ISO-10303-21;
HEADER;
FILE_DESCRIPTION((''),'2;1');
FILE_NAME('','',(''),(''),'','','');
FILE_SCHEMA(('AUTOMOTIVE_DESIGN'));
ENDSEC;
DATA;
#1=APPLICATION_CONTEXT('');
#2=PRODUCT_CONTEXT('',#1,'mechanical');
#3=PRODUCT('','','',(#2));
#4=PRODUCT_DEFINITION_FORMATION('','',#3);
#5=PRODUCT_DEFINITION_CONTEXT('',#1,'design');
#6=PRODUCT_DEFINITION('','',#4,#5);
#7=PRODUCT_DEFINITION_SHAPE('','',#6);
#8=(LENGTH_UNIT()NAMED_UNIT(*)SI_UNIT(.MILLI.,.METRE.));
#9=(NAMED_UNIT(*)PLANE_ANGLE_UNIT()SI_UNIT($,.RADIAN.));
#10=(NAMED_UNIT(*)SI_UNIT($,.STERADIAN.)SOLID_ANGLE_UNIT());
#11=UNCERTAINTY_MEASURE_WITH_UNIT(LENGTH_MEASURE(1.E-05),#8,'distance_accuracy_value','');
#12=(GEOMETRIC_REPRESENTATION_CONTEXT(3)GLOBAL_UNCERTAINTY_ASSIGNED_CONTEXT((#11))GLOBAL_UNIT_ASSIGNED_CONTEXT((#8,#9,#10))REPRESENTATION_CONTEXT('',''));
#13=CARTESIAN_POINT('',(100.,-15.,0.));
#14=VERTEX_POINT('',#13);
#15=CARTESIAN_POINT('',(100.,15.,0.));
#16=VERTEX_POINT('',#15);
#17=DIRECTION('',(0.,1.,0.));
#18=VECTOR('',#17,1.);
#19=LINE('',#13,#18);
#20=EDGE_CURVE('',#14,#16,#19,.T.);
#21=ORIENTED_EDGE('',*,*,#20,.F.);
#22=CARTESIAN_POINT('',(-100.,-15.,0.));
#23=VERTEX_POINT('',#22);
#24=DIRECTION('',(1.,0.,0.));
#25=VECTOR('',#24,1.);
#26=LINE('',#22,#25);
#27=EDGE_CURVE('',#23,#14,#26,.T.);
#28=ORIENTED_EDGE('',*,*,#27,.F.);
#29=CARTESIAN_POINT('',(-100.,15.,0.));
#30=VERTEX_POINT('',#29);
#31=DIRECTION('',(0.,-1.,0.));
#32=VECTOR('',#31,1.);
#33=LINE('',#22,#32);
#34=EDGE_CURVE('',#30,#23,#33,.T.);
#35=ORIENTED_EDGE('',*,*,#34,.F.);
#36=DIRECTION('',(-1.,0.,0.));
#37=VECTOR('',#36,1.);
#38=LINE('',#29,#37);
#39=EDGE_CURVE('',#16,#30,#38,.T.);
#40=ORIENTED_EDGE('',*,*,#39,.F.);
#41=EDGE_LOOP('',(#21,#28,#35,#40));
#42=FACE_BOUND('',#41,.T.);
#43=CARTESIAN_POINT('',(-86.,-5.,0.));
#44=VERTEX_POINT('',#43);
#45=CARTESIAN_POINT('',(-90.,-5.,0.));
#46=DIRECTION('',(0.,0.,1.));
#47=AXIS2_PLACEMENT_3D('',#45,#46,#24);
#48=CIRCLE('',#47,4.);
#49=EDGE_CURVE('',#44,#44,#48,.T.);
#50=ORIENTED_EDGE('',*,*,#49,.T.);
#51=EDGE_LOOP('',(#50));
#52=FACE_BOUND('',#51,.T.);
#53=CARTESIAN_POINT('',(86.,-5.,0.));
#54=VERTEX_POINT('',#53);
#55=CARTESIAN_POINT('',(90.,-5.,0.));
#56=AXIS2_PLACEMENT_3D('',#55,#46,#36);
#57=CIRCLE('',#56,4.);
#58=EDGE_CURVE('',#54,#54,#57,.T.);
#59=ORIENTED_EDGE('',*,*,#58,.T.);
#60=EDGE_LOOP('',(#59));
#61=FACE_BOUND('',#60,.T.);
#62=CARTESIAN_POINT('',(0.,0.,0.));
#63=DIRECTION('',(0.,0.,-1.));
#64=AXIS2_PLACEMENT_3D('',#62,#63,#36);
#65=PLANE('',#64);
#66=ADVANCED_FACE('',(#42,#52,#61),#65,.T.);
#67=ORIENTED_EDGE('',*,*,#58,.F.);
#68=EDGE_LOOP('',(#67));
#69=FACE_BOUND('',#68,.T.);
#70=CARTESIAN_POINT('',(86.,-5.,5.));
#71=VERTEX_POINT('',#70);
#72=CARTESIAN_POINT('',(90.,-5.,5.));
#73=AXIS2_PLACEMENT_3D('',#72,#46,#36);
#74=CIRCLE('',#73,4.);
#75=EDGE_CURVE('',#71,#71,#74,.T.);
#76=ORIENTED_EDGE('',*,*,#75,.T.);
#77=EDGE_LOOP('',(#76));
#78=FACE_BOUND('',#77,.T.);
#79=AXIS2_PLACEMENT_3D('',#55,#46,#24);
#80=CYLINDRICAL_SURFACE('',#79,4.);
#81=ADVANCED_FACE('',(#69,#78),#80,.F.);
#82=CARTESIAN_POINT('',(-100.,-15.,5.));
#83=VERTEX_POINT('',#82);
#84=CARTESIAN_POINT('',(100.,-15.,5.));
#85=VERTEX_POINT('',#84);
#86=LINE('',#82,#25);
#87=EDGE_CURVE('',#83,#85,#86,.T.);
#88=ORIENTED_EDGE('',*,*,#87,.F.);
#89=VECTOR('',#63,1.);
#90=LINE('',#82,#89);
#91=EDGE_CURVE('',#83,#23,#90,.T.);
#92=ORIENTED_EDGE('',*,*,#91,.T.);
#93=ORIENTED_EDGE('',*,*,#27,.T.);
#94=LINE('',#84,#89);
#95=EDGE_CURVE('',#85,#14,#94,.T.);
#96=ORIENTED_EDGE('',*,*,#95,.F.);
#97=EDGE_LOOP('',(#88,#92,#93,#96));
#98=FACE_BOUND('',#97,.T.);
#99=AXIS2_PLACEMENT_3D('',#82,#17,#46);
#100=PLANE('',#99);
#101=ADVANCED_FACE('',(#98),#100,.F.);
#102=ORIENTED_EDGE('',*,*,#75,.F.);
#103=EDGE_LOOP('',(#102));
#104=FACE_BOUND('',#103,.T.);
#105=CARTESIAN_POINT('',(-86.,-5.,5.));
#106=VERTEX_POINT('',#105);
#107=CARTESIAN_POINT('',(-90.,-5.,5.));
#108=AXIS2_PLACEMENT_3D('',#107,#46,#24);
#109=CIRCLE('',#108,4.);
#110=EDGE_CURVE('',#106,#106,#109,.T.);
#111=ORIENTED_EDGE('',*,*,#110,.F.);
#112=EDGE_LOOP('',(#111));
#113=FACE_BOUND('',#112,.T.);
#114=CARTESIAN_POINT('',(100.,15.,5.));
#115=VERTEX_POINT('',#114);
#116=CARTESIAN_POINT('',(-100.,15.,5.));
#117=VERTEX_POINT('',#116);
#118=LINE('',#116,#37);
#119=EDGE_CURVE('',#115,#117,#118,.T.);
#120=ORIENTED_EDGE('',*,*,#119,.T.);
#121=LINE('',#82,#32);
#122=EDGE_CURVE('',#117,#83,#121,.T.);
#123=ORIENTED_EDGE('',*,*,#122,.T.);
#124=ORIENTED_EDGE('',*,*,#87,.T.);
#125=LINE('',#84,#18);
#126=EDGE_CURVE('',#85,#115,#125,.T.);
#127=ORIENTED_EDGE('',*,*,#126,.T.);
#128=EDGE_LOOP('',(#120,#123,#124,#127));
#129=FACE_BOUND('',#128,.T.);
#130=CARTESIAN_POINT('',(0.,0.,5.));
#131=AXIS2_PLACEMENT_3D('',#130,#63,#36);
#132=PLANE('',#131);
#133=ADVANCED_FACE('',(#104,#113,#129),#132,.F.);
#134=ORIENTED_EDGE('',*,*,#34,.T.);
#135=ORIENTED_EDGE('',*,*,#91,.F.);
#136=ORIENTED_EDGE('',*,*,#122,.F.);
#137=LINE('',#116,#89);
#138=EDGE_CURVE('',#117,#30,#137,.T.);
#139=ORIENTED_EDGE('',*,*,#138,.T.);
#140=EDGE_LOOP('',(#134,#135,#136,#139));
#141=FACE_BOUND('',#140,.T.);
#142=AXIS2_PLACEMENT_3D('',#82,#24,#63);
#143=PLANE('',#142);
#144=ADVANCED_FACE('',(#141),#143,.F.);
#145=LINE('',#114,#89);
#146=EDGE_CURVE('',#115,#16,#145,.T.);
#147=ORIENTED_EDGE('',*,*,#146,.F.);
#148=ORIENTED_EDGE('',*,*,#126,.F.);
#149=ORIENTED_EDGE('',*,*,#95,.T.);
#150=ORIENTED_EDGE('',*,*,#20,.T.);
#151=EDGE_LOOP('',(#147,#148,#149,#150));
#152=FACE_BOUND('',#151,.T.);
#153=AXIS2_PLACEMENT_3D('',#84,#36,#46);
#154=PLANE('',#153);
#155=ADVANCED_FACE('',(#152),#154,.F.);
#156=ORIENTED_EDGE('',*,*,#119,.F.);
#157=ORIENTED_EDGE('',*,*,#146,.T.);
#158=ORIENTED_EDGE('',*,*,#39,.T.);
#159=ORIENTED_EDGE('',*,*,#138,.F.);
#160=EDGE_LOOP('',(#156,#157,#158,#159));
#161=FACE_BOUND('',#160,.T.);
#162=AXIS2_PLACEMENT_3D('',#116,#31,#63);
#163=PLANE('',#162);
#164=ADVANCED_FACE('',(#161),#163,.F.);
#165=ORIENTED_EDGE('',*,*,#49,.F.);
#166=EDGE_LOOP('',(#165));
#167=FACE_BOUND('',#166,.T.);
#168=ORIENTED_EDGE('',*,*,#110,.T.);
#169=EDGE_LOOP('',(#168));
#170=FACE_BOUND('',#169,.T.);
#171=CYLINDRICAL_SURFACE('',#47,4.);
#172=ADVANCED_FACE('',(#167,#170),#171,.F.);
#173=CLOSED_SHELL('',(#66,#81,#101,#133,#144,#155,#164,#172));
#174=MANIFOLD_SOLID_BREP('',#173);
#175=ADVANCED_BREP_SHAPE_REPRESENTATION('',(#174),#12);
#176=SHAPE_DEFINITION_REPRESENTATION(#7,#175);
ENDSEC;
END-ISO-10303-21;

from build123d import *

# Parameters (mm, degrees)
SKETCH1_W           = 200
SKETCH1_H           = 30
BOSS_EXTRUDE1_DEPTH = 5
SKETCH2_R           = 4
CUT_EXTRUDE1_DEPTH  = 5


with BuildPart() as part:
    # Sketch1 → Boss-Extrude1 (new body)
    with BuildSketch(Plane.XY):
        Rectangle(SKETCH1_W, SKETCH1_H)
    extrude(amount=BOSS_EXTRUDE1_DEPTH)

    # Sketch2 → Cut-Extrude1 (cut)
    with BuildSketch(Plane.XY.offset(5)):
        with Locations((-90, -5)):
            Circle(SKETCH2_R)
        with Locations((90, -5)):
            Circle(SKETCH2_R)
    extrude(amount=-CUT_EXTRUDE1_DEPTH, mode=Mode.SUBTRACT)


solid = part.part
